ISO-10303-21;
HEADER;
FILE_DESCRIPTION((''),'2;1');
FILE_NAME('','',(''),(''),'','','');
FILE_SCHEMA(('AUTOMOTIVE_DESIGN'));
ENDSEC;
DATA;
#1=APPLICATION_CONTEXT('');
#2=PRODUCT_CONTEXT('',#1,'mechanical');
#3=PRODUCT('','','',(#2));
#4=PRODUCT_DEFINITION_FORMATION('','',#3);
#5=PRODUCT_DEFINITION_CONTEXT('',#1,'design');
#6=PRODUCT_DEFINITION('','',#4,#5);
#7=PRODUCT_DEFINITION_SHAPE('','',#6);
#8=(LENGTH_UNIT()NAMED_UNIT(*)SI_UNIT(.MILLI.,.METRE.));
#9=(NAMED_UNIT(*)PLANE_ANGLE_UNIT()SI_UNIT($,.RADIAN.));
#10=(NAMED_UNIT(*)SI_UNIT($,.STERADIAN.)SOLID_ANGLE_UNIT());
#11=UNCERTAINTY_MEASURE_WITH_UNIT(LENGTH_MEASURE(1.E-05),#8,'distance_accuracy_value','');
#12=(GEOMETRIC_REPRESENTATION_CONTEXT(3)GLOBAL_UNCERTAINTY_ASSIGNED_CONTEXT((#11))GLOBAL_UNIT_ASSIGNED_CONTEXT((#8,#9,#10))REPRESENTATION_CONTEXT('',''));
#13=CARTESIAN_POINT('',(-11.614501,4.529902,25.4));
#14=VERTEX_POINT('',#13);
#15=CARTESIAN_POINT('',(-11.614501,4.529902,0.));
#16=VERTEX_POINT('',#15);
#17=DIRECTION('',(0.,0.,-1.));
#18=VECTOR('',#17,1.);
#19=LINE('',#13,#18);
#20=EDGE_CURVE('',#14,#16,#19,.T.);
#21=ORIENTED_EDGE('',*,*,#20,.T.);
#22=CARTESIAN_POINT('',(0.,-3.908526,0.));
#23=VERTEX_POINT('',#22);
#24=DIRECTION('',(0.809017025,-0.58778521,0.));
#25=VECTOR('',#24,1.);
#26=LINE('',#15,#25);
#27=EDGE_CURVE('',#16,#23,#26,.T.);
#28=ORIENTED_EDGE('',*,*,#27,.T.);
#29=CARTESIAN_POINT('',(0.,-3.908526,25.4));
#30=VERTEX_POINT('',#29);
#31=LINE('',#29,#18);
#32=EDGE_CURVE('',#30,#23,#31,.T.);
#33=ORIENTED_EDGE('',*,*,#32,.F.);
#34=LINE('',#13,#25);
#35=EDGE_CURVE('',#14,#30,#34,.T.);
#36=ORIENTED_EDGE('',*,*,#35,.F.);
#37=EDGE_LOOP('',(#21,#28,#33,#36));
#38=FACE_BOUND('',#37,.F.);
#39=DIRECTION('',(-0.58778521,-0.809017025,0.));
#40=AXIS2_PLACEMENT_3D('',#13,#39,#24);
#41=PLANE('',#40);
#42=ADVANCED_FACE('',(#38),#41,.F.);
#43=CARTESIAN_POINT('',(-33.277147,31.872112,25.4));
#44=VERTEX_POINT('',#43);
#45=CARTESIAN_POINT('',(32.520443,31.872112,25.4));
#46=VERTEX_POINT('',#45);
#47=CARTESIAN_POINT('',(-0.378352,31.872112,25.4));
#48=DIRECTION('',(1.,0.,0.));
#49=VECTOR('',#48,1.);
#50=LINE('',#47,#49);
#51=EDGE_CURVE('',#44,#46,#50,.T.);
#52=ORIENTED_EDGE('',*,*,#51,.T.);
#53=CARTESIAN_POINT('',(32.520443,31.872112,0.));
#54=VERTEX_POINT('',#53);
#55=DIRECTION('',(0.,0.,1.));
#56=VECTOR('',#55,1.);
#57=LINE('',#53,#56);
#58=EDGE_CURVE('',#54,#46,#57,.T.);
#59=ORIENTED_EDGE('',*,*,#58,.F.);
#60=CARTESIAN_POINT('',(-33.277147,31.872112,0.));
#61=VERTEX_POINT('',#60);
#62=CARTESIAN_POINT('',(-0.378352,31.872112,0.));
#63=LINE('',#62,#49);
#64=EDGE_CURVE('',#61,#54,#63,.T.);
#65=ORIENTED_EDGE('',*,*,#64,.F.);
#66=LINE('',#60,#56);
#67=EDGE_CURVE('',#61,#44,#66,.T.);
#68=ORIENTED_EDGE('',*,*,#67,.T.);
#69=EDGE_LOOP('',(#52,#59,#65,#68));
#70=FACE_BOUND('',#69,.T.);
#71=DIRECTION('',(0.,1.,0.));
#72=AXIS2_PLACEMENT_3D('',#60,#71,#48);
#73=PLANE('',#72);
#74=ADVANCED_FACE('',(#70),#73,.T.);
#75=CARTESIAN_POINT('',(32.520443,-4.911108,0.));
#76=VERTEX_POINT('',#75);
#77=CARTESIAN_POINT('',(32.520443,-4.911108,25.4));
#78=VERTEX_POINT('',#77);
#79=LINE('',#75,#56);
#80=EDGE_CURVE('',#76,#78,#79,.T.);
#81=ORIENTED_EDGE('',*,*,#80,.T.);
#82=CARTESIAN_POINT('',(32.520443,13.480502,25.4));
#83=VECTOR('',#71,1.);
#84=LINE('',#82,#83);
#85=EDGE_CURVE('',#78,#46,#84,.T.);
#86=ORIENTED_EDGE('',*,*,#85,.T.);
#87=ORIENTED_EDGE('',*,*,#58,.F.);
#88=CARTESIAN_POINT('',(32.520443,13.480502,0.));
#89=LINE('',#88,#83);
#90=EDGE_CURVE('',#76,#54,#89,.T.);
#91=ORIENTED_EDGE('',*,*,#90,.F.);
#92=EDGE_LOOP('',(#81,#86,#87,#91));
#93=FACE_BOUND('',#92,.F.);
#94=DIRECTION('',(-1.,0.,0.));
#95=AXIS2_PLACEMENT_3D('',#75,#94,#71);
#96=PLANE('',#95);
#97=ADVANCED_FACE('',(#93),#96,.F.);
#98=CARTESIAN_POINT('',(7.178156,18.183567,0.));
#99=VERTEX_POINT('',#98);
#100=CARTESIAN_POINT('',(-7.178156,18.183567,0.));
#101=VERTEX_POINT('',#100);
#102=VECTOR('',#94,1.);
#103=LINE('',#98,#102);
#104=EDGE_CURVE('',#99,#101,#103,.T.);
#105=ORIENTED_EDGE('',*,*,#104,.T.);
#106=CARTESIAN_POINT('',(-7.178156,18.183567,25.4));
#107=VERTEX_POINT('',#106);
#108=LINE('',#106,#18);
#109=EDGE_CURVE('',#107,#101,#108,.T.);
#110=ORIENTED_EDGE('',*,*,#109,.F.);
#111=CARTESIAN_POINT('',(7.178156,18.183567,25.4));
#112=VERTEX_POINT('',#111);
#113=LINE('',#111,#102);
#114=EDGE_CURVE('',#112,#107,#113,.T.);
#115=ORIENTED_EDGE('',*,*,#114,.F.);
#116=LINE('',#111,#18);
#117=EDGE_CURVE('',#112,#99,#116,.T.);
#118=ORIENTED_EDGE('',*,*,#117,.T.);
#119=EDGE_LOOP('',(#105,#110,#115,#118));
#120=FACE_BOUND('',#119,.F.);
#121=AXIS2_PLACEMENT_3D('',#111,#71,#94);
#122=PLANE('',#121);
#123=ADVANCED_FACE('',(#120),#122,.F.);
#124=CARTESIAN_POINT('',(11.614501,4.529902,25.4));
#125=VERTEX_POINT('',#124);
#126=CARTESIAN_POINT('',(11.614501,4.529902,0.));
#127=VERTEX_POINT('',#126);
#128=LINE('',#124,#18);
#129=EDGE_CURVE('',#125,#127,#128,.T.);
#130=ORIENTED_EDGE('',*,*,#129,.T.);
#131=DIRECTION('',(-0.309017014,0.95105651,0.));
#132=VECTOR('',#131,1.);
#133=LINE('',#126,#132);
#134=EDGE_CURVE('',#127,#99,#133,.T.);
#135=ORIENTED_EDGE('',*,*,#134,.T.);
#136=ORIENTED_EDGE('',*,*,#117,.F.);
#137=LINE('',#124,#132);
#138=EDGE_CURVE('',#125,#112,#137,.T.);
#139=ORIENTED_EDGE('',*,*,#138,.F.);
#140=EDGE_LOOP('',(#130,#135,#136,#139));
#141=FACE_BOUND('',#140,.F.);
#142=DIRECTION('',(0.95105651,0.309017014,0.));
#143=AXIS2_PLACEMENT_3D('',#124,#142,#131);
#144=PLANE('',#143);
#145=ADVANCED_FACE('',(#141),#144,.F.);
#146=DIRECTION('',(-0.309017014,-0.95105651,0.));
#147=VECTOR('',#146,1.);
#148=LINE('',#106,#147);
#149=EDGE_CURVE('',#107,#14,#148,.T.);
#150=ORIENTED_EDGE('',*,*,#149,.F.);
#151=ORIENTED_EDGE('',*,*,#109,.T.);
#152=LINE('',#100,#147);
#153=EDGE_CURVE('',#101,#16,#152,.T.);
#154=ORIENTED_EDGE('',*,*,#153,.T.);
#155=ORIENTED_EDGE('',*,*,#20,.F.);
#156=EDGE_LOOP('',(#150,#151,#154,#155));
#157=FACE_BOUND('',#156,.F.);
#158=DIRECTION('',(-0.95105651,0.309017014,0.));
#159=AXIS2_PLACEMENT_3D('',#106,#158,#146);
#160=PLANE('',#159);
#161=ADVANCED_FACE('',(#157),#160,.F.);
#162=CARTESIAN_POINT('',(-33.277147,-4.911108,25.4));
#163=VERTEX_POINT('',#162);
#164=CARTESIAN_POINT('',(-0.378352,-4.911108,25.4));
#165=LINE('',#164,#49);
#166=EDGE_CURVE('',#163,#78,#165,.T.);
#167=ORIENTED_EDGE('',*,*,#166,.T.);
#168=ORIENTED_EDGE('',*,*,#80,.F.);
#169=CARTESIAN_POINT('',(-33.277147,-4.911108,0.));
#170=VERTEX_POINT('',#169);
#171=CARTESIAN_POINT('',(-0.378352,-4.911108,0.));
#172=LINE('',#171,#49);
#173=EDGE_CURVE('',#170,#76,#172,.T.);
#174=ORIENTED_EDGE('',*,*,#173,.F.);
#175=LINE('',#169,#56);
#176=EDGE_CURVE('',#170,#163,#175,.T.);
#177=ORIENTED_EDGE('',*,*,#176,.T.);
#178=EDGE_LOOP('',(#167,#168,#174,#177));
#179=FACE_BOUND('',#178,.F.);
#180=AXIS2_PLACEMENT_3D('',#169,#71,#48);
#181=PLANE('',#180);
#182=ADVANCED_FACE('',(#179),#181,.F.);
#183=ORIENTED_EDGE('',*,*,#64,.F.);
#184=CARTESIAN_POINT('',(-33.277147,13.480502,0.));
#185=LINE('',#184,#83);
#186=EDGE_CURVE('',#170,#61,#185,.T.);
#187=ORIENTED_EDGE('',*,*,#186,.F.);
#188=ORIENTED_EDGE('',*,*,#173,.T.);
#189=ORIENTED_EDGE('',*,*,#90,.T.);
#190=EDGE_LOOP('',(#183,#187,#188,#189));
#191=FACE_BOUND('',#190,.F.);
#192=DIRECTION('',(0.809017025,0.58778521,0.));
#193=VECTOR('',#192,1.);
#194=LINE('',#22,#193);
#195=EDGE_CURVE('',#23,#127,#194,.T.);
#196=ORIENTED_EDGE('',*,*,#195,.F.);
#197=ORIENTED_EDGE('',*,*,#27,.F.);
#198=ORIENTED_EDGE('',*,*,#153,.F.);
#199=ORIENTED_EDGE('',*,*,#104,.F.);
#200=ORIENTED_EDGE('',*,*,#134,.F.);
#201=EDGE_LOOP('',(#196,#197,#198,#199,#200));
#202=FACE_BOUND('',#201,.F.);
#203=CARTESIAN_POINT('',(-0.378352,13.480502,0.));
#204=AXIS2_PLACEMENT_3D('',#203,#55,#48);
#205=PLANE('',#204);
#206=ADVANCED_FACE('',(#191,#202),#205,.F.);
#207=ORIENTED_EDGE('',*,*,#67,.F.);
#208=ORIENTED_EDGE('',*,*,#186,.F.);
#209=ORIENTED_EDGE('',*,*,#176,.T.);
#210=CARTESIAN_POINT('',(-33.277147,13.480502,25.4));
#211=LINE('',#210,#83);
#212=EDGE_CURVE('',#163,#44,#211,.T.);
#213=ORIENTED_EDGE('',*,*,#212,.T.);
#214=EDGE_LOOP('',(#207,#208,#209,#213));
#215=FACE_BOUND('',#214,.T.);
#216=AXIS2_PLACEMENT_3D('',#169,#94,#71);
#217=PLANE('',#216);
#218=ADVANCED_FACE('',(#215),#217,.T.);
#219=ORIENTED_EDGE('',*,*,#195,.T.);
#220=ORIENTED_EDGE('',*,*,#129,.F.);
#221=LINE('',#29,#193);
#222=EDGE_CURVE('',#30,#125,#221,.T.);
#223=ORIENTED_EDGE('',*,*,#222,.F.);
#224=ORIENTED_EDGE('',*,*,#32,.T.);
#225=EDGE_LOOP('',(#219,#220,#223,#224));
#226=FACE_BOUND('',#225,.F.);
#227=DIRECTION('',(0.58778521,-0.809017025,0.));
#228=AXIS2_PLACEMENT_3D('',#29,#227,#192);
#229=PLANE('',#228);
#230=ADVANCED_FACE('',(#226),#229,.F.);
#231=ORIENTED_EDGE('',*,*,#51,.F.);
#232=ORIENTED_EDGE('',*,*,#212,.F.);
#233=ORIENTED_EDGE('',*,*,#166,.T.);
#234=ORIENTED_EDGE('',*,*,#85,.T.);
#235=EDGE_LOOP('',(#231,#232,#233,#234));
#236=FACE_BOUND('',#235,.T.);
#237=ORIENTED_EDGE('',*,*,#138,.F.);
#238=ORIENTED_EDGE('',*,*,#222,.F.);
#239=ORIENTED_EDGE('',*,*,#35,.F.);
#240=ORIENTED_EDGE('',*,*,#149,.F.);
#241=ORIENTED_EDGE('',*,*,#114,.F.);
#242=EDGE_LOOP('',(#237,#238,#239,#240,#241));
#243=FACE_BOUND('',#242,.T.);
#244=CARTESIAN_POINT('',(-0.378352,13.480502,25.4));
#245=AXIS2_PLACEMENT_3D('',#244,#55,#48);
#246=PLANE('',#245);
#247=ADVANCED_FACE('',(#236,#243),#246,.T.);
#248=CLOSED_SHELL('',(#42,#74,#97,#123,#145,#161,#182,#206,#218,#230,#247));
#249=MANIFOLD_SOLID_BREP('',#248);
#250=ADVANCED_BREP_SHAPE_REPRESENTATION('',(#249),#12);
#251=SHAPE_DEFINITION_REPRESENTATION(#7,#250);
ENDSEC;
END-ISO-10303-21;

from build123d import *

# Parameters (mm, degrees)
F0_W     = 65.79759
F0_H     = 36.78322
F1_DEPTH = 25.4
F3_DEPTH = 25.4


with BuildPart() as f1:
    # F0 (on Top) → F1 (new body)
    with BuildSketch(Plane.XY):
        with Locations((-0.378352, 13.480502)):
            Rectangle(F0_W, F0_H)
    extrude(amount=F1_DEPTH)

    # F2 (on face) → F3 (cut)
    with BuildSketch(Plane.XY.offset(25.4)):
        Polygon((7.178156, 18.183567), (-7.178156, 18.183567), (-11.614501, 4.529902), (0, -3.908526), (11.614501, 4.529902), align=None)
    extrude(amount=-F3_DEPTH, mode=Mode.SUBTRACT)


solid = f1.part
